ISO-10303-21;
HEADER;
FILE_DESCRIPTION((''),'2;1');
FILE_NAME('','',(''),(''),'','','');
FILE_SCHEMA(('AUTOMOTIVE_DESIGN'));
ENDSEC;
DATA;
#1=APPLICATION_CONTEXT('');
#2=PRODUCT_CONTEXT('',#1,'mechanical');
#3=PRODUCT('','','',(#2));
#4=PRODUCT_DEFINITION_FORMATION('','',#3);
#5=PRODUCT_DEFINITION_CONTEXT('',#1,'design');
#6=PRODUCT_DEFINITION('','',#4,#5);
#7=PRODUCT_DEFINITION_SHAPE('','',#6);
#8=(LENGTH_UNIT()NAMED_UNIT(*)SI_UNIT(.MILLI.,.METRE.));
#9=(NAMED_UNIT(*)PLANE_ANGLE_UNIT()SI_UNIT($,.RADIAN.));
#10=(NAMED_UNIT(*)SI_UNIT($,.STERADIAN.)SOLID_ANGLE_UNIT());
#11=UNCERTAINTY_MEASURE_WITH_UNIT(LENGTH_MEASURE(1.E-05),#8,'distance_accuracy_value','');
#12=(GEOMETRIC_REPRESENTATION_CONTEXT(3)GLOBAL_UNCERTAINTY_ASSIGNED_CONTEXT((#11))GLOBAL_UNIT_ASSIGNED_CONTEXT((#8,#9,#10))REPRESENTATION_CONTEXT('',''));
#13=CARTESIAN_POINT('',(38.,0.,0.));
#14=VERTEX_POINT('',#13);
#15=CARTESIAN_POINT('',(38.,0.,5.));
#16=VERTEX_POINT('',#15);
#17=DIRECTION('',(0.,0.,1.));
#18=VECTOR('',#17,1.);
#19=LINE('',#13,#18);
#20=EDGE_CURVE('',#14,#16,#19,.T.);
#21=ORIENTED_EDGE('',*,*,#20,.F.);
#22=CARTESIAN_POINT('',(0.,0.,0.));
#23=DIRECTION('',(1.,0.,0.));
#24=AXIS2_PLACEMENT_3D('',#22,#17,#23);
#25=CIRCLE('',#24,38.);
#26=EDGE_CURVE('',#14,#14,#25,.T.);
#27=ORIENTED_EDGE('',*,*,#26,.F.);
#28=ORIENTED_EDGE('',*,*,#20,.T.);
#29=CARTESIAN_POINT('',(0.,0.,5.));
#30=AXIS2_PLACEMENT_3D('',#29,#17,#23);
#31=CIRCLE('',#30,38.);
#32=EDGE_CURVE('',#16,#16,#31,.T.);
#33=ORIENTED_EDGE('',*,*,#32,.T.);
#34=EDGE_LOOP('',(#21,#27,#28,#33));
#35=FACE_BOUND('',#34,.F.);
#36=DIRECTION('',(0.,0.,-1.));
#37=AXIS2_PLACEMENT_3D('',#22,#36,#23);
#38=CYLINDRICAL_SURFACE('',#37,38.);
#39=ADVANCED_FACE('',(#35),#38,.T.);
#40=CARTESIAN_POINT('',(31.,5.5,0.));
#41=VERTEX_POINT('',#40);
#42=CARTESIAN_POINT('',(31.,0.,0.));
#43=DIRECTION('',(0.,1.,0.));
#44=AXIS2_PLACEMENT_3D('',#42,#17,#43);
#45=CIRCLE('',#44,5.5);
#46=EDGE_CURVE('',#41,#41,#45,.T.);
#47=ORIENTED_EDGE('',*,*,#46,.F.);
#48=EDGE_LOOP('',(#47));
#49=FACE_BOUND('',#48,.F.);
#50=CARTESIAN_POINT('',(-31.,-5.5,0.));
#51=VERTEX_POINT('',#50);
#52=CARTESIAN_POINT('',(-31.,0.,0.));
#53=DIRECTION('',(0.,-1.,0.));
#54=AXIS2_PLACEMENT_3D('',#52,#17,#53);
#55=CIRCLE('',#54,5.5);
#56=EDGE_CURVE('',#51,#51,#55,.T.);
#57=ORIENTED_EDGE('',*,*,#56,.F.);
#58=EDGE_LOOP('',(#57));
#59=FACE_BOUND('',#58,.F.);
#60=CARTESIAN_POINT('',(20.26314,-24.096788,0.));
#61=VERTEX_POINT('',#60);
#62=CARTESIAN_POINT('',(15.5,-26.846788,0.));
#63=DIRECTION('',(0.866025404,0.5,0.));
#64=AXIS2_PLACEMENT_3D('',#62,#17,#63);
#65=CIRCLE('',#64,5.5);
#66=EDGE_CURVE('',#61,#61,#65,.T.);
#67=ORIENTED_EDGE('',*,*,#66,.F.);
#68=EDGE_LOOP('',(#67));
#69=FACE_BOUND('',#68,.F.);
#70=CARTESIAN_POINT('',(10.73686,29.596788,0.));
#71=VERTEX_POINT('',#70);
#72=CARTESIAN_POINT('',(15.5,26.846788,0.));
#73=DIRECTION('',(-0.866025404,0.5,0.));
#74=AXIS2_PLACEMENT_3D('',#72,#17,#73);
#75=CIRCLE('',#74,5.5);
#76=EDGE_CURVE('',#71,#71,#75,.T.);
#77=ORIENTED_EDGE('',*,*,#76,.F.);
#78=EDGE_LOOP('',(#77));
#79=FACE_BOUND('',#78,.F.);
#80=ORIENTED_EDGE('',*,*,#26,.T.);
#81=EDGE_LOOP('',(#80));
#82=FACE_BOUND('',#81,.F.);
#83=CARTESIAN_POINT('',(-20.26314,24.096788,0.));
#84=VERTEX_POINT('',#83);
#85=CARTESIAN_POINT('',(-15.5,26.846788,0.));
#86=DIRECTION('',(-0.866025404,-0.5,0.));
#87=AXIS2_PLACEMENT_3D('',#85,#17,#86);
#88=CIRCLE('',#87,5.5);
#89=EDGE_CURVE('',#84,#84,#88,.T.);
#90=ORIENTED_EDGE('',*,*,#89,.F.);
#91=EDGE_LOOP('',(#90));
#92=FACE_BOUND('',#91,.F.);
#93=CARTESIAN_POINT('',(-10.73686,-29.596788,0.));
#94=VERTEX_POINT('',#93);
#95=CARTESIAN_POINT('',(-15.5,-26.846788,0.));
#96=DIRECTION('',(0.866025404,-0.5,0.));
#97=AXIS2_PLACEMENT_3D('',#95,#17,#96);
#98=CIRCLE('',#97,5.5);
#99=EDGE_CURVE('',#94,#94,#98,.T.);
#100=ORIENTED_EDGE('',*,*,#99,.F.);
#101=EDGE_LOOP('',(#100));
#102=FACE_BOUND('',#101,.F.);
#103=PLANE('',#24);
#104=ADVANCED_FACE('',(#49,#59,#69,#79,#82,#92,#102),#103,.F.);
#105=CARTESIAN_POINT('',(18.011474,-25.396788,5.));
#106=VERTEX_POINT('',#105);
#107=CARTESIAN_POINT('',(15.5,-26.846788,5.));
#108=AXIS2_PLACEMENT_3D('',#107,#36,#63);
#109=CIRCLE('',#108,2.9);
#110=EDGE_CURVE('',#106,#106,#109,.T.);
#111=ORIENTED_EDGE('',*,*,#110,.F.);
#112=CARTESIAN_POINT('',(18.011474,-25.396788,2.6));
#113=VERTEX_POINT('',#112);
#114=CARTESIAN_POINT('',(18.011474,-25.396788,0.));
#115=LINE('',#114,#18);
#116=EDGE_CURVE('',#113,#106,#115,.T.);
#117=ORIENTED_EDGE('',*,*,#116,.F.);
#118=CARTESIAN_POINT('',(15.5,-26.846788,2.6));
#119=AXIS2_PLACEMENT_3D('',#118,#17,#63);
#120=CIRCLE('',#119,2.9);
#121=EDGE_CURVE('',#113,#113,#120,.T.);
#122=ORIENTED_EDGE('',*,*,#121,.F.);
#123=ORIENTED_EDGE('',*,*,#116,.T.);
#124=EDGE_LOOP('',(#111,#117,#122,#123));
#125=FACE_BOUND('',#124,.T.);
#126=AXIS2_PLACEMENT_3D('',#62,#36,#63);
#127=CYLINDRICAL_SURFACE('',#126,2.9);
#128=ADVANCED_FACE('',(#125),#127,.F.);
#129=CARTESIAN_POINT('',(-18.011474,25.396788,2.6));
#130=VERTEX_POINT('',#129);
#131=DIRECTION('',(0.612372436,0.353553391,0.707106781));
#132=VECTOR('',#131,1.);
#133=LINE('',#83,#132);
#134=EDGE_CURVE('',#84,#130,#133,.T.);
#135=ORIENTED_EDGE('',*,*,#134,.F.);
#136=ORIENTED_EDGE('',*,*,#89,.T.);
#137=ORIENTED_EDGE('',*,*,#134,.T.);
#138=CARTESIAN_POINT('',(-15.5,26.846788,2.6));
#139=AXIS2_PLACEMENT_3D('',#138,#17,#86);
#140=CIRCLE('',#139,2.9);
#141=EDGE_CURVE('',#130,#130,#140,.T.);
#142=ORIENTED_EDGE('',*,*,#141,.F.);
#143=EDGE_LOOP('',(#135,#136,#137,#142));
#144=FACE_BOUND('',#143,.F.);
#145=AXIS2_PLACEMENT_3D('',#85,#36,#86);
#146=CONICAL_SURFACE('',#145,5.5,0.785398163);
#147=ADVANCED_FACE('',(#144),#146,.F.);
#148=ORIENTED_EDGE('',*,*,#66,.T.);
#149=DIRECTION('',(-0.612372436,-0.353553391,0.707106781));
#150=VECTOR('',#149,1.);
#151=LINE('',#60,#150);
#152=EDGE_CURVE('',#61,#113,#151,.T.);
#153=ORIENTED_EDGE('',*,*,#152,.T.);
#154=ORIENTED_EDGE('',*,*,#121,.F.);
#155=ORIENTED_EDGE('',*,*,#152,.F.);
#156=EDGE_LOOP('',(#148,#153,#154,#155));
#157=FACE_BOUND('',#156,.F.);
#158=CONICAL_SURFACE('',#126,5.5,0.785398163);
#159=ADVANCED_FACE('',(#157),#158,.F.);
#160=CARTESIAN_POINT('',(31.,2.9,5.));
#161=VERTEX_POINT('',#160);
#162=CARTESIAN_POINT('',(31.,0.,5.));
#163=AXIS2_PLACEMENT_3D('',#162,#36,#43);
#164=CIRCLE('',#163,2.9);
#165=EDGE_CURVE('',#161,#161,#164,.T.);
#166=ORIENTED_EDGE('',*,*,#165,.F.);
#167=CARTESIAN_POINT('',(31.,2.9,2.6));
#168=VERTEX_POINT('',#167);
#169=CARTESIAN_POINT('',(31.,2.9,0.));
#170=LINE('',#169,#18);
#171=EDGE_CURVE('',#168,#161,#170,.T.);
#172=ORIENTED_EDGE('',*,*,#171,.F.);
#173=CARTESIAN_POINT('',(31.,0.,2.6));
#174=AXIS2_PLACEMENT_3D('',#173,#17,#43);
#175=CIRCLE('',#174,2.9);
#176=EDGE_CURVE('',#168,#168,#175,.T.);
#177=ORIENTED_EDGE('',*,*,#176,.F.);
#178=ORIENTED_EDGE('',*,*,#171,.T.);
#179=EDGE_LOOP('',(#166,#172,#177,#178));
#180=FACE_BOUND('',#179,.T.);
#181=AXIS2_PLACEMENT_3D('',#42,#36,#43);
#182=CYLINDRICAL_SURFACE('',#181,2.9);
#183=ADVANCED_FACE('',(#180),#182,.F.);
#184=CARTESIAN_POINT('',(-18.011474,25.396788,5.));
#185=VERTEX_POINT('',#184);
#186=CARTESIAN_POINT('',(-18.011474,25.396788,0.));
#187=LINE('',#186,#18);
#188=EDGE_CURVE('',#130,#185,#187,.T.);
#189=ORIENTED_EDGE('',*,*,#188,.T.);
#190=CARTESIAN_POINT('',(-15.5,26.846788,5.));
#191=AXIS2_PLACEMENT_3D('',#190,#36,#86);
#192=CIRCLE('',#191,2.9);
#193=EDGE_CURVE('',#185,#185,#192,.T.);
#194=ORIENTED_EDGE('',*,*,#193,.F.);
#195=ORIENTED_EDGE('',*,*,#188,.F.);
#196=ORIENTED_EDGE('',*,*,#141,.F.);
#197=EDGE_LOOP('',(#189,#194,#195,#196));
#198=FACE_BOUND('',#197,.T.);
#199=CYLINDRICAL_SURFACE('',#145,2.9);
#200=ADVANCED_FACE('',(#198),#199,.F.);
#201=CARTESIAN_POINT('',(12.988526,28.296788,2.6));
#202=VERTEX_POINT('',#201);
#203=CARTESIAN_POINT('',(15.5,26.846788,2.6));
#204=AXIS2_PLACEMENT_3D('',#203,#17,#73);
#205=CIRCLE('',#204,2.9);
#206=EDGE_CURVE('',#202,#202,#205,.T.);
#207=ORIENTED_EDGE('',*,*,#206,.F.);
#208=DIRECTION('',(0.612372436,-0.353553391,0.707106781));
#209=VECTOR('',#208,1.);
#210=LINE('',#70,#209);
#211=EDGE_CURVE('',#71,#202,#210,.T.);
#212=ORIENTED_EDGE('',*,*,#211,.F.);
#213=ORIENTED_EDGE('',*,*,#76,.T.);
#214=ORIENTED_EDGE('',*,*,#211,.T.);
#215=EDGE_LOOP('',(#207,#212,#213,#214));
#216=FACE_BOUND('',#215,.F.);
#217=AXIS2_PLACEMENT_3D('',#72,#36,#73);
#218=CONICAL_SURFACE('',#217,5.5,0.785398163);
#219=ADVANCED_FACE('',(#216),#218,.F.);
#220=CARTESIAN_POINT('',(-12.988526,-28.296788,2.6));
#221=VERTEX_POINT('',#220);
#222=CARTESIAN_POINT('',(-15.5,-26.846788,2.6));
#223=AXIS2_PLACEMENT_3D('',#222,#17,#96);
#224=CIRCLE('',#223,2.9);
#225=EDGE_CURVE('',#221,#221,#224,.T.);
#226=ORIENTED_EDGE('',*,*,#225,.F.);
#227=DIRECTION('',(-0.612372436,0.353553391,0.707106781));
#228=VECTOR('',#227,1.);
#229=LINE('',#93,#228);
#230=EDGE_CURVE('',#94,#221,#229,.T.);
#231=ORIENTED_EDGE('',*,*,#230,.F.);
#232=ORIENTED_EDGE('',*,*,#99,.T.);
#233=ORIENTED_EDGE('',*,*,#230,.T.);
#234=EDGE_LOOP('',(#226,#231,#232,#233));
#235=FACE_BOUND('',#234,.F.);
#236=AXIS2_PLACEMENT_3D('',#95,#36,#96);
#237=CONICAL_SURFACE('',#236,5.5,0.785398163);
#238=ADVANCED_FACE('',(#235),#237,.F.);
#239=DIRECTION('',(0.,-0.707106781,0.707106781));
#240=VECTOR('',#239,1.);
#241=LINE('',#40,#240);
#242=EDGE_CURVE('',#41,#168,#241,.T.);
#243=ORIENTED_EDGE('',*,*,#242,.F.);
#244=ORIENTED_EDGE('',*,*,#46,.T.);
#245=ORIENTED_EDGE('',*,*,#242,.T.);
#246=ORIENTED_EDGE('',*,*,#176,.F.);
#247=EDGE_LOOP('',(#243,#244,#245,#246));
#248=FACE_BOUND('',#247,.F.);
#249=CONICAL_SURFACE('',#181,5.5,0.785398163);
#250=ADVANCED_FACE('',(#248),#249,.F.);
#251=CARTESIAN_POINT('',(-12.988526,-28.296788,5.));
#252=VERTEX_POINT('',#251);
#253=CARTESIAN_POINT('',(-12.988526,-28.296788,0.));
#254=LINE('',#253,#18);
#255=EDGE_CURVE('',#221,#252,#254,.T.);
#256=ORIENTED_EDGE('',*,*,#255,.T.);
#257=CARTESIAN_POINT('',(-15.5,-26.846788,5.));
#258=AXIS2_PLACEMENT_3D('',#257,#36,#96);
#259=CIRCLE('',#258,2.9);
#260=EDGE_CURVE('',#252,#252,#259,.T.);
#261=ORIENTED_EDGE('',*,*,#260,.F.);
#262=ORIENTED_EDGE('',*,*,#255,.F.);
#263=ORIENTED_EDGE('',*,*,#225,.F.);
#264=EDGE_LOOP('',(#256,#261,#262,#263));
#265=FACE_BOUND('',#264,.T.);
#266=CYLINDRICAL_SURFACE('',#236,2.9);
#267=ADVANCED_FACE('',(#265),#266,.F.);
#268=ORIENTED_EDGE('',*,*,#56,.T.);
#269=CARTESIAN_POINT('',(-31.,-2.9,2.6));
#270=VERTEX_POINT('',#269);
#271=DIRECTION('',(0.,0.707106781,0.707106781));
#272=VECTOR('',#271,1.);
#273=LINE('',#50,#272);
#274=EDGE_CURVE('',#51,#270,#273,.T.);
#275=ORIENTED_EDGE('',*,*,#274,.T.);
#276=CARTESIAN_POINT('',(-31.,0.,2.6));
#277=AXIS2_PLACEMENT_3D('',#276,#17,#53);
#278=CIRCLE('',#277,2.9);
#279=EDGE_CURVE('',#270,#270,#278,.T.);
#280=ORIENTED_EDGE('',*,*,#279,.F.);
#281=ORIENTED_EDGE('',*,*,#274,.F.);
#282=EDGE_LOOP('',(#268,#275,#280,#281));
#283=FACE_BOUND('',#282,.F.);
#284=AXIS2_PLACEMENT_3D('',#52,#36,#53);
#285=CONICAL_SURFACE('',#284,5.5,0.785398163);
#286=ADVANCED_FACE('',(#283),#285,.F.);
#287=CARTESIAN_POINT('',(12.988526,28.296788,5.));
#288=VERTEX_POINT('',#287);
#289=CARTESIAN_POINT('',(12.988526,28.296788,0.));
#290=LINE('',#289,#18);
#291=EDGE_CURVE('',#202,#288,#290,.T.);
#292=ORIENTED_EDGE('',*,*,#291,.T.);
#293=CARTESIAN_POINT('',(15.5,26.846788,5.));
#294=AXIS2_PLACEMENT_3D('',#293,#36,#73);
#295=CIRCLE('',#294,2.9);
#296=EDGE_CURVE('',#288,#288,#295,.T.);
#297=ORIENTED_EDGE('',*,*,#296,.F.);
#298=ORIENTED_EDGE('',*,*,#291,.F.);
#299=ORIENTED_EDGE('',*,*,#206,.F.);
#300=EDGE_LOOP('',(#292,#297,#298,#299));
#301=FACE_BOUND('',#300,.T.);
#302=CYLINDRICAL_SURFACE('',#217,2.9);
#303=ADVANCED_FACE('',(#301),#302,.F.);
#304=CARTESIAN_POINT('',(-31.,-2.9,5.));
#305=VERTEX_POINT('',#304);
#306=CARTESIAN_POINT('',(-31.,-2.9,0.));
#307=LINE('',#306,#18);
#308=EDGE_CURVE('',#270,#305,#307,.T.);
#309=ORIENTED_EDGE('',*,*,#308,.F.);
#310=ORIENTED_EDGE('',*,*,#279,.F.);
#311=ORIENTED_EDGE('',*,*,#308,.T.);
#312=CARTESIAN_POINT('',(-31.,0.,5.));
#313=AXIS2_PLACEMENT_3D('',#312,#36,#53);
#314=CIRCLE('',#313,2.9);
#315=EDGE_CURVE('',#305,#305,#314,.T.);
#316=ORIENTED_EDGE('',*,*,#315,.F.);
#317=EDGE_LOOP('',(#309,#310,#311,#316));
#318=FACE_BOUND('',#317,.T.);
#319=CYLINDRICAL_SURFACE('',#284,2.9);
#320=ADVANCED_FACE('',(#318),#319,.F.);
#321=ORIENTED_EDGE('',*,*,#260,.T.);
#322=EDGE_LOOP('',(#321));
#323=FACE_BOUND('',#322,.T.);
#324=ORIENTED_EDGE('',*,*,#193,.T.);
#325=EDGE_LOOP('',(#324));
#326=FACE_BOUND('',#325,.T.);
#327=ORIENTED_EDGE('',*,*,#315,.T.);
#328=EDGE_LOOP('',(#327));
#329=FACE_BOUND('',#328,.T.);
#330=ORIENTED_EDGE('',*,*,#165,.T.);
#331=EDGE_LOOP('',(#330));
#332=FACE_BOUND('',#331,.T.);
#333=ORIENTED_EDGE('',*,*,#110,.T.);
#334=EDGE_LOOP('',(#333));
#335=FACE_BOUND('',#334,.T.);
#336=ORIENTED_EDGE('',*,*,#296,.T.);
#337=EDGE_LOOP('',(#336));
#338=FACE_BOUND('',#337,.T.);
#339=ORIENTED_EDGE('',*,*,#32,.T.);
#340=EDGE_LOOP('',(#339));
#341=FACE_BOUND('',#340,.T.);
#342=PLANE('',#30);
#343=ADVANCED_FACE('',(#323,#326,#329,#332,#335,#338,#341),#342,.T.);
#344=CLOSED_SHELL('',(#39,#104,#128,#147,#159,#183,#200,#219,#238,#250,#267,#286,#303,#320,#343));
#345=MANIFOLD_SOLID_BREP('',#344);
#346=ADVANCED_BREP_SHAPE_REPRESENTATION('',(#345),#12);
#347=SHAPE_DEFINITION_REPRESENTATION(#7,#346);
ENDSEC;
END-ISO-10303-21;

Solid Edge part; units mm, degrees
sketch "Sketch1" plane through (0, 0, 0) normal (0, 0, 1) x (1, 0, 0)
  circle A0 centre (0, 0) radius 38
extrude "Protrusion1" add sketch "Sketch1" along normal blind 5
hole "Hole_1" at (31, 0, 0) direction (0, 0, 1) diameter 5.8 end up to next countersink diameter 11 countersink angle 90
pattern_circular "Pattern1" count 6 over 360 about axis through (0, 0, 0) along (0, 0, 1) of "Hole_1"
properties material "Steel"
